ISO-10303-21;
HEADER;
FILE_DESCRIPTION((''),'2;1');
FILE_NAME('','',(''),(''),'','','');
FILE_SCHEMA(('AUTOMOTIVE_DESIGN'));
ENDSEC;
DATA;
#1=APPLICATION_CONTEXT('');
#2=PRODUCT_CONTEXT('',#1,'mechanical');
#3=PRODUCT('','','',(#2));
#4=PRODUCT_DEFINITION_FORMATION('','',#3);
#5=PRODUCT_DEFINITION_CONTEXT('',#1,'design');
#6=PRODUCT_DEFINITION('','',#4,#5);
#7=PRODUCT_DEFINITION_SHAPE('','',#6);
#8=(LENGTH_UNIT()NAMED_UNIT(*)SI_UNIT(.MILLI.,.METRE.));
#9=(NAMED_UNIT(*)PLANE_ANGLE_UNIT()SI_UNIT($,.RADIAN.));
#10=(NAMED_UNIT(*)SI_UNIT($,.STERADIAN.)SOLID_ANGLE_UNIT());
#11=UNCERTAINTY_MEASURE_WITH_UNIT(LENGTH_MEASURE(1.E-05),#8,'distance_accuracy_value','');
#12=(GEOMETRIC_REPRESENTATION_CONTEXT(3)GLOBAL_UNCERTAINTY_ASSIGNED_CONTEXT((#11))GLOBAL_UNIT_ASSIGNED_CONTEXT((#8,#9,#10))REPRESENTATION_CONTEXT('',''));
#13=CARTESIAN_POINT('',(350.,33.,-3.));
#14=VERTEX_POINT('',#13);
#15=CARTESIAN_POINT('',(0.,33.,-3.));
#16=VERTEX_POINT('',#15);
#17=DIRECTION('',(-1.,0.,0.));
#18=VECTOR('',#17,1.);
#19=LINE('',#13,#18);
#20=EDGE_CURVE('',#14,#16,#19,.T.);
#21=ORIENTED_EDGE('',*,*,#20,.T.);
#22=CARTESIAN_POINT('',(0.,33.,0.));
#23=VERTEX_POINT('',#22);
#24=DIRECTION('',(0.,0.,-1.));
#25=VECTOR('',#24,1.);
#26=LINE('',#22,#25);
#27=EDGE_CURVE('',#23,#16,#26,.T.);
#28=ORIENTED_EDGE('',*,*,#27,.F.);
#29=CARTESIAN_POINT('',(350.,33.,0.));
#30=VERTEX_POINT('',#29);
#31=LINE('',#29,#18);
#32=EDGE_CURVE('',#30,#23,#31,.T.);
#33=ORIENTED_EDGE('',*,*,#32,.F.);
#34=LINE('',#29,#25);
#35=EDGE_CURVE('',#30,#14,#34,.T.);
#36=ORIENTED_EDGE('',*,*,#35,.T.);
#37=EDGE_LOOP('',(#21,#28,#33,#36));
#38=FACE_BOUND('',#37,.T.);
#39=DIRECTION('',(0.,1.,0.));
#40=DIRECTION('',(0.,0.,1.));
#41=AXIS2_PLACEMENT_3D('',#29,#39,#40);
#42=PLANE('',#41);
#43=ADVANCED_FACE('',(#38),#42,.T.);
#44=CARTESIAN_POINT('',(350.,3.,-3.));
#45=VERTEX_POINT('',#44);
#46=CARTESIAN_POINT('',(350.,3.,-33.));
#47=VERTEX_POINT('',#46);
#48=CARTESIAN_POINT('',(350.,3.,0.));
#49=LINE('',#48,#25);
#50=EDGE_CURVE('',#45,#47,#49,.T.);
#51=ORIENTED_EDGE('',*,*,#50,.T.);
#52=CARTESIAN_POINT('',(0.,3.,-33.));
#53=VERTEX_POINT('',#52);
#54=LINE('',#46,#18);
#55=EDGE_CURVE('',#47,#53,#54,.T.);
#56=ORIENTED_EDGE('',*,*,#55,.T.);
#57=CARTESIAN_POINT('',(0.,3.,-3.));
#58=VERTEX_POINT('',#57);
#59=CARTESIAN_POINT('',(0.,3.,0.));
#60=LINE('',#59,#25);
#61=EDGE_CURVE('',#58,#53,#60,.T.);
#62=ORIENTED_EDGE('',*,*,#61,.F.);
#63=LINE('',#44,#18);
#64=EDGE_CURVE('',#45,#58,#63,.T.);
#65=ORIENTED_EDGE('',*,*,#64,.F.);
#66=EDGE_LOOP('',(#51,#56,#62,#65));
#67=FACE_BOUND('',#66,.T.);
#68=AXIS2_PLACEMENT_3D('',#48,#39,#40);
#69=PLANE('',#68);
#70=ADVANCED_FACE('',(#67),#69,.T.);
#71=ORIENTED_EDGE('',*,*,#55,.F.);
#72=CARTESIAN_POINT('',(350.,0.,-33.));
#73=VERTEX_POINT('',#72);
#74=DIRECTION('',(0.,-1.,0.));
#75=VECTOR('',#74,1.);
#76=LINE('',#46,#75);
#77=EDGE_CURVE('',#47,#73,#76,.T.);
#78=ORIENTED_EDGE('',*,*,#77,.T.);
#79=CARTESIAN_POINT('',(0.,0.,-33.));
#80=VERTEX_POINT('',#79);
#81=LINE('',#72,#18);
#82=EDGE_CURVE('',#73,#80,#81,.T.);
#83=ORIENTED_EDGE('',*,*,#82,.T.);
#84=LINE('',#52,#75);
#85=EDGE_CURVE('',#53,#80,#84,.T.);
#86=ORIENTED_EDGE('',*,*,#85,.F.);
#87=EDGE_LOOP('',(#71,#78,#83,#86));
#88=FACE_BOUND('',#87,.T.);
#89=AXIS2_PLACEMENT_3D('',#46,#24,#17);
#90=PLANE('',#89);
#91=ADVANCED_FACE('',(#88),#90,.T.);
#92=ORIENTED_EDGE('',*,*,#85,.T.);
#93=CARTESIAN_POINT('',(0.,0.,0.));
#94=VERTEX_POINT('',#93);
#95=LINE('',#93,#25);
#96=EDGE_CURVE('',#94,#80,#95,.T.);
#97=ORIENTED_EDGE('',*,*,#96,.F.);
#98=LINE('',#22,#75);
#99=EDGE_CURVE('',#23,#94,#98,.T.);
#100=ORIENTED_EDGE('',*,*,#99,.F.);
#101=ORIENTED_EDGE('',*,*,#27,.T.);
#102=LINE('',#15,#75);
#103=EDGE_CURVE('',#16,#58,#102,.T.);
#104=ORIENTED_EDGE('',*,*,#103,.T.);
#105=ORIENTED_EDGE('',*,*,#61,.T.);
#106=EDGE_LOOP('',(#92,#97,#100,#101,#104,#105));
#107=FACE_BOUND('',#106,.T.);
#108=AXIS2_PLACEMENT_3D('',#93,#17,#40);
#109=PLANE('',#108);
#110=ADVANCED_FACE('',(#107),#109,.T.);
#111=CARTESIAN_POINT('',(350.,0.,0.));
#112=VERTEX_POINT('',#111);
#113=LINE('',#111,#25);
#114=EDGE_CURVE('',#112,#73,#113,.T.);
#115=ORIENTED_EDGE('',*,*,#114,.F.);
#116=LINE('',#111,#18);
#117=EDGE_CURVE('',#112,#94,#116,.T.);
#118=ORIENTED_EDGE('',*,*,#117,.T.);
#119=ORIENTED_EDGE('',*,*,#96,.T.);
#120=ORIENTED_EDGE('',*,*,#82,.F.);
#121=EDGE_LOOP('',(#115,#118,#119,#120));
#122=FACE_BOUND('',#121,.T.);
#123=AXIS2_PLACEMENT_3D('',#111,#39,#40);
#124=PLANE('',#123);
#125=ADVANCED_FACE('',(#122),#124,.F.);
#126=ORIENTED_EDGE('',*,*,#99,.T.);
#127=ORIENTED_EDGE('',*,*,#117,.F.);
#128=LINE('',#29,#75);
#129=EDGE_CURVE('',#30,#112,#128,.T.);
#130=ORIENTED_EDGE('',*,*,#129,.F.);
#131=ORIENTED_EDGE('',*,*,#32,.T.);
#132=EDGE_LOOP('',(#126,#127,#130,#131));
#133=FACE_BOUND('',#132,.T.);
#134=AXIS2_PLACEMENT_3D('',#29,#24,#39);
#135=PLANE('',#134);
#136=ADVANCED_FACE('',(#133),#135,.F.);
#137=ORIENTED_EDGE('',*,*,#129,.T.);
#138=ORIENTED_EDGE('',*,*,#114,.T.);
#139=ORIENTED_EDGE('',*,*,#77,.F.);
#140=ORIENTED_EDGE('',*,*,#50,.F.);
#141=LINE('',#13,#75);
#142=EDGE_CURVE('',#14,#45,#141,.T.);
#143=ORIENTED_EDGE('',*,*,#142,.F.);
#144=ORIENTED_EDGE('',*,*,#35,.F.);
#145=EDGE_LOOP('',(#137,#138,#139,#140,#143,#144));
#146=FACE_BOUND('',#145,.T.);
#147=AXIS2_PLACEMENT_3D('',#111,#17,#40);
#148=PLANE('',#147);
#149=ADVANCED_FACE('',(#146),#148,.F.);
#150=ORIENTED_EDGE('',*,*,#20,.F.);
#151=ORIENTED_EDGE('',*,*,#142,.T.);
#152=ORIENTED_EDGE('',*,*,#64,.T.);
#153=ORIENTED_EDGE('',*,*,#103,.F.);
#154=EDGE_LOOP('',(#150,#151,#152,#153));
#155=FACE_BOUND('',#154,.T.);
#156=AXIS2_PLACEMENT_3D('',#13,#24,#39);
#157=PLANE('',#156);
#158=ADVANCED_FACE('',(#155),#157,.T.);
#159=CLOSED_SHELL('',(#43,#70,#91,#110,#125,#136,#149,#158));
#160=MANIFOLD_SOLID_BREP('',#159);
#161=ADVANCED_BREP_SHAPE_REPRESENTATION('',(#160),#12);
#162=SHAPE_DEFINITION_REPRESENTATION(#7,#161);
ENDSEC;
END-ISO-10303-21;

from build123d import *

# Parameters (mm, degrees)
EXTRUDE_1_DEPTH = 350


with BuildPart() as part:
    # Эскиз1 → Вытянуть-Тонкостенный1 (new body)
    with BuildSketch(Plane(origin=(0, 0, 0), x_dir=(0, 0, -1), z_dir=(1, 0, 0))):
        Polygon((0, 33), (0, 0), (33, 0), (33, 3), (3, 3), (3, 33), align=None)
    extrude(amount=EXTRUDE_1_DEPTH)


solid = part.part
